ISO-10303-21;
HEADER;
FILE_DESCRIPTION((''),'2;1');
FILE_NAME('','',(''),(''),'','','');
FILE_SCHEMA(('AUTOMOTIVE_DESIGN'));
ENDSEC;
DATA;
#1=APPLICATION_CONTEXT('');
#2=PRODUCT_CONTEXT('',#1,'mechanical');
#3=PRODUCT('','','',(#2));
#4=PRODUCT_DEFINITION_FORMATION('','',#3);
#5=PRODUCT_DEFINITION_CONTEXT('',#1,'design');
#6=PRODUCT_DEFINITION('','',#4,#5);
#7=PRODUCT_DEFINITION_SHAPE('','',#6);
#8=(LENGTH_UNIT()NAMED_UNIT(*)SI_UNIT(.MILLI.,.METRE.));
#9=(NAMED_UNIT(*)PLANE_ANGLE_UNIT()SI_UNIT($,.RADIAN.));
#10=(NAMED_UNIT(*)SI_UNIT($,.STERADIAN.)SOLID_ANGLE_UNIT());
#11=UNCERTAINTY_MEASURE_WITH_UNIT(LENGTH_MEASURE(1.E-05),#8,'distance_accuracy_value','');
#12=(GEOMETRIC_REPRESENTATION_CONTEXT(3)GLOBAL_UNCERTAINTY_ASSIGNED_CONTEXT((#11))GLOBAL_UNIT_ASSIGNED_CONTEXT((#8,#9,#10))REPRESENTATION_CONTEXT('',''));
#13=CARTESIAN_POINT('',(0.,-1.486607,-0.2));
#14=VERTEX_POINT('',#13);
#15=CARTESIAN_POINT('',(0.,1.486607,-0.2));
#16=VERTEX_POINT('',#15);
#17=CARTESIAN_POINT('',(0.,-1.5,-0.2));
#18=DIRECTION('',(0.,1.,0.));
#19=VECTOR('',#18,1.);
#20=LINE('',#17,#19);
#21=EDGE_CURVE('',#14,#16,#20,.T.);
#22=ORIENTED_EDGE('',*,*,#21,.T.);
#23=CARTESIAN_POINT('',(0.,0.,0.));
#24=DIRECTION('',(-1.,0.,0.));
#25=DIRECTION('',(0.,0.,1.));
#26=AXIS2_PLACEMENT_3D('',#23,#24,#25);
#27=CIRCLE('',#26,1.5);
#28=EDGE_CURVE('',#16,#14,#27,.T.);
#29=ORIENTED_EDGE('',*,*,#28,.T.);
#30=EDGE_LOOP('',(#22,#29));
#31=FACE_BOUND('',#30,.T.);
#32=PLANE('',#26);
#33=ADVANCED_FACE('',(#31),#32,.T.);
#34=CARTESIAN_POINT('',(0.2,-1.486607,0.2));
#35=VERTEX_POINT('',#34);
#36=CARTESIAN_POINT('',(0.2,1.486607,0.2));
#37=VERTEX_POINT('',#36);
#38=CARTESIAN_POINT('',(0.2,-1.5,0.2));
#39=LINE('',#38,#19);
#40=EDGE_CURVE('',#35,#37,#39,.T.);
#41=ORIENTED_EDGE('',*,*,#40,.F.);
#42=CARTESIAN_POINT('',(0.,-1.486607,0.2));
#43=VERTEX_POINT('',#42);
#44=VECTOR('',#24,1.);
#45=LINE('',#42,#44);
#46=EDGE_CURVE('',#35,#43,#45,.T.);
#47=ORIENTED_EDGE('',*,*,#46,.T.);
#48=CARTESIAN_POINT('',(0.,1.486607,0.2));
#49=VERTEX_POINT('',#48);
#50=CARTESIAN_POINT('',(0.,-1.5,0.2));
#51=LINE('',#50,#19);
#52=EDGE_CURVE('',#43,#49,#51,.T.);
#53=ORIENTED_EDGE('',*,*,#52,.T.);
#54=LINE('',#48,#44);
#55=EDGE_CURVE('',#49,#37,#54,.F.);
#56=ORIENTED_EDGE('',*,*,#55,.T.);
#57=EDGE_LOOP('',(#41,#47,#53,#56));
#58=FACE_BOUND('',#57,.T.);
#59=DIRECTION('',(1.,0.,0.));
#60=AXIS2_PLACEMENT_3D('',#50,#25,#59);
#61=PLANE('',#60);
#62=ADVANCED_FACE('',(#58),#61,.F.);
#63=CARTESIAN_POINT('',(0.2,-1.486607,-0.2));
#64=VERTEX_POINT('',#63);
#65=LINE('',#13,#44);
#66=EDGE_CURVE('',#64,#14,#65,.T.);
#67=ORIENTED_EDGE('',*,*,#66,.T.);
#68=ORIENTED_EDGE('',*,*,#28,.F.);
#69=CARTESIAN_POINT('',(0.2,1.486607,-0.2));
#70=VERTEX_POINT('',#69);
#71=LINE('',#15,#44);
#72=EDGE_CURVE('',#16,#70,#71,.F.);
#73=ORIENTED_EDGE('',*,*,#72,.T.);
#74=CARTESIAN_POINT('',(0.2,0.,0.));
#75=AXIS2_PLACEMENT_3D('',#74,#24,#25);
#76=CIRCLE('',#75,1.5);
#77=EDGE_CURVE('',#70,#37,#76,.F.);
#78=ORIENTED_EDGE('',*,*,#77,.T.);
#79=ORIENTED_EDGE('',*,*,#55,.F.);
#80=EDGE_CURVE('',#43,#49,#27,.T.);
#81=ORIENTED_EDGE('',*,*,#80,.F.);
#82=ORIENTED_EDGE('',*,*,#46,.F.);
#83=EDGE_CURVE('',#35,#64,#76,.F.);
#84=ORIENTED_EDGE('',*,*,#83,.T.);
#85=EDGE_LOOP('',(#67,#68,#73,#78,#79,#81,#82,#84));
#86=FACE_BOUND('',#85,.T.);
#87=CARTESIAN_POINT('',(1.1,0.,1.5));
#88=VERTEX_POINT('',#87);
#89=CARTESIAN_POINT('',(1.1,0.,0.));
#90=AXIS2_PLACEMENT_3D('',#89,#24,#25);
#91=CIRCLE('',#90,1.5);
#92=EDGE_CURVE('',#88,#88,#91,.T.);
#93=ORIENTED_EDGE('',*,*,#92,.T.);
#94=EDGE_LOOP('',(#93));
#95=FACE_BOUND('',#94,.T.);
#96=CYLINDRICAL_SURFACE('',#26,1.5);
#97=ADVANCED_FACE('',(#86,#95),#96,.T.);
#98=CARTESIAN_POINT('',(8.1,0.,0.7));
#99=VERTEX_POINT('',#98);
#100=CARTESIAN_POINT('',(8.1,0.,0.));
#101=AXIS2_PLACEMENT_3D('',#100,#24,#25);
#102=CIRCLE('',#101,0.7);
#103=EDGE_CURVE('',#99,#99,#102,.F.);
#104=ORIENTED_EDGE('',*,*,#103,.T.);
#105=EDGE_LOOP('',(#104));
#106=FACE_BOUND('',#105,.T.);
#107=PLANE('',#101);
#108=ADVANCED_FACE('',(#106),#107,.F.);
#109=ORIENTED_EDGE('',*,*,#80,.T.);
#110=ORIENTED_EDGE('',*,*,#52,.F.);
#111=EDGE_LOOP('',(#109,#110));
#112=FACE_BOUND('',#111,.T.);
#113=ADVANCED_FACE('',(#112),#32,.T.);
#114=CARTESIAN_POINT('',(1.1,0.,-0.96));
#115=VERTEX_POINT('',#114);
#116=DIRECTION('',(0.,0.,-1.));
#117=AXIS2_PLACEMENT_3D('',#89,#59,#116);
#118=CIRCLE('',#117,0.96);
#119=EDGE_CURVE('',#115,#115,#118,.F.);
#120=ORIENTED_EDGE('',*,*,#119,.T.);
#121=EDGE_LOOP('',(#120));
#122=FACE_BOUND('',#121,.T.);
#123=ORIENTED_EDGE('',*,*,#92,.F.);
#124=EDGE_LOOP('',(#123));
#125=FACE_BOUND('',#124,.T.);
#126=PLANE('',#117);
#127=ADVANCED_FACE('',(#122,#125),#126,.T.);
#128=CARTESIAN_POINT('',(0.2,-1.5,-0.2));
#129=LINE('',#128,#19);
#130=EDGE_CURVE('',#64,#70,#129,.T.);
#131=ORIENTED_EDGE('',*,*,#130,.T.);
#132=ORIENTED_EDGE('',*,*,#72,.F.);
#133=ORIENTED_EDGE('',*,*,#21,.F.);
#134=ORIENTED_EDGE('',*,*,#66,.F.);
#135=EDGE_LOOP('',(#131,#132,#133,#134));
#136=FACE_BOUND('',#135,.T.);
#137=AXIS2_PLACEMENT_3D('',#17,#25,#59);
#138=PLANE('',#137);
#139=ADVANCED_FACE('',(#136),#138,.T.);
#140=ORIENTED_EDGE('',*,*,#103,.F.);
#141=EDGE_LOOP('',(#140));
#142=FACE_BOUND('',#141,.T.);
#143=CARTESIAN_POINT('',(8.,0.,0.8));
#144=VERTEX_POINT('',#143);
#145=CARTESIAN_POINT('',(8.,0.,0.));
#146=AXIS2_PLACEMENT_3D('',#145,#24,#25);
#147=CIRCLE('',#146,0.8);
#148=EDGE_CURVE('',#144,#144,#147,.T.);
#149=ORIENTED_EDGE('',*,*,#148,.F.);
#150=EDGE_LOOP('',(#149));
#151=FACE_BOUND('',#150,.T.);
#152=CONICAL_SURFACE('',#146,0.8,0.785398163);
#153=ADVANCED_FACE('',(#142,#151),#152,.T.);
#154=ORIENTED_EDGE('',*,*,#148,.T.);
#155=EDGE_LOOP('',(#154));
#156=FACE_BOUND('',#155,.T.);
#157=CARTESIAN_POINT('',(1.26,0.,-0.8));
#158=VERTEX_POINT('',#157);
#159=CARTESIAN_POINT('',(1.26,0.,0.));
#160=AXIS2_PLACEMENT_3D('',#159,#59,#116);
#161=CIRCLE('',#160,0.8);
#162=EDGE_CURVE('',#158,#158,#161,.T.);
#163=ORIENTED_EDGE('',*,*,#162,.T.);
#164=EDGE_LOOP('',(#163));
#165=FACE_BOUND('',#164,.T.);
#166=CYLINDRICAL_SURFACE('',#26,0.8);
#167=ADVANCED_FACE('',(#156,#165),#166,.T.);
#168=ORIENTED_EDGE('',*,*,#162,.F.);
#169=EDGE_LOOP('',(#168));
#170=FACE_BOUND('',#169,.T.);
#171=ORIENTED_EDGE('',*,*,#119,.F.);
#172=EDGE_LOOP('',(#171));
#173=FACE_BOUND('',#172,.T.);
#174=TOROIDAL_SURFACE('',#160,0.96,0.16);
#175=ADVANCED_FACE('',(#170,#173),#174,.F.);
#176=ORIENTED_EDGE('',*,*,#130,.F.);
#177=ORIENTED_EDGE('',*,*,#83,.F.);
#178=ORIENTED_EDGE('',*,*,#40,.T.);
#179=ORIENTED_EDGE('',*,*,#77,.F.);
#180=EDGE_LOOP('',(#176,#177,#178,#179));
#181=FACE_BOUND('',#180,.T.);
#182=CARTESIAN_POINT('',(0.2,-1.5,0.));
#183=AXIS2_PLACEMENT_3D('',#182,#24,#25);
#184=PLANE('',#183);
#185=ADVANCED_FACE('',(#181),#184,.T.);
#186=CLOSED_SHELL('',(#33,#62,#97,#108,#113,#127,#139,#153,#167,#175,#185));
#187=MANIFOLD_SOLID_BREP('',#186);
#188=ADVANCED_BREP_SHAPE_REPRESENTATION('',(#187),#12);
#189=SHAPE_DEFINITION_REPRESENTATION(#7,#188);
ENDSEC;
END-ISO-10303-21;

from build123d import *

# Parameters (mm, degrees)
SKETCH1_W           = 7
SKETCH1_H           = 0.8
CHAMFER1_SIZE       = 0.1
FILLET1_R           = 0.16
EXTRUDE1_DEPTH      = 9.373171442
EXTRUDE1_DEPTH_BACK = 9.373171442
SKETCH2_W           = 0.2
SKETCH2_H           = 0.2


with BuildPart() as part:
    # Sketch1 → Revolve1 (revolve)
    with BuildSketch(Plane.XY, mode=Mode.PRIVATE) as revolve1_sk:
        Polygon((0, 1.5), (0, 0), (1.1, 0), (1.1, 0.8), (1.1, 1.5), align=None)
        with Locations((4.6, 0.4)):
            Rectangle(SKETCH1_W, SKETCH1_H)
    revolve(revolve1_sk.sketch.rotate(Axis((0, 0, 0), (1, 0, 0)), 90), axis=Axis((0, 0, 0), (1, 0, 0)))

    # Chamfer1
    chamfer1_edges = [part.edges().sort_by_distance(p)[0] for p in [
        (8.1, 0, -0.8),
    ]]
    chamfer(chamfer1_edges, length=CHAMFER1_SIZE)

    # Fillet1
    fillet1_edges = [part.edges().sort_by_distance(p)[0] for p in [
        (1.1, 0, -0.8),
    ]]
    fillet(fillet1_edges, radius=FILLET1_R)

    # Sketch2 → Extrude1 (cut, two sides: drawn at the far end of the back side and taken through both)
    with BuildSketch(Plane(origin=(0, 0, 0), x_dir=(1, 0, 0), z_dir=(0, 1, 0)).offset(-EXTRUDE1_DEPTH_BACK)):
        with Locations((0.1, -0.1)):
            Rectangle(SKETCH2_W, SKETCH2_H)
        with Locations((0.1, 0.1)):
            Rectangle(SKETCH2_W, SKETCH2_H)
    extrude(amount=EXTRUDE1_DEPTH + EXTRUDE1_DEPTH_BACK, mode=Mode.SUBTRACT)


solid = part.part
